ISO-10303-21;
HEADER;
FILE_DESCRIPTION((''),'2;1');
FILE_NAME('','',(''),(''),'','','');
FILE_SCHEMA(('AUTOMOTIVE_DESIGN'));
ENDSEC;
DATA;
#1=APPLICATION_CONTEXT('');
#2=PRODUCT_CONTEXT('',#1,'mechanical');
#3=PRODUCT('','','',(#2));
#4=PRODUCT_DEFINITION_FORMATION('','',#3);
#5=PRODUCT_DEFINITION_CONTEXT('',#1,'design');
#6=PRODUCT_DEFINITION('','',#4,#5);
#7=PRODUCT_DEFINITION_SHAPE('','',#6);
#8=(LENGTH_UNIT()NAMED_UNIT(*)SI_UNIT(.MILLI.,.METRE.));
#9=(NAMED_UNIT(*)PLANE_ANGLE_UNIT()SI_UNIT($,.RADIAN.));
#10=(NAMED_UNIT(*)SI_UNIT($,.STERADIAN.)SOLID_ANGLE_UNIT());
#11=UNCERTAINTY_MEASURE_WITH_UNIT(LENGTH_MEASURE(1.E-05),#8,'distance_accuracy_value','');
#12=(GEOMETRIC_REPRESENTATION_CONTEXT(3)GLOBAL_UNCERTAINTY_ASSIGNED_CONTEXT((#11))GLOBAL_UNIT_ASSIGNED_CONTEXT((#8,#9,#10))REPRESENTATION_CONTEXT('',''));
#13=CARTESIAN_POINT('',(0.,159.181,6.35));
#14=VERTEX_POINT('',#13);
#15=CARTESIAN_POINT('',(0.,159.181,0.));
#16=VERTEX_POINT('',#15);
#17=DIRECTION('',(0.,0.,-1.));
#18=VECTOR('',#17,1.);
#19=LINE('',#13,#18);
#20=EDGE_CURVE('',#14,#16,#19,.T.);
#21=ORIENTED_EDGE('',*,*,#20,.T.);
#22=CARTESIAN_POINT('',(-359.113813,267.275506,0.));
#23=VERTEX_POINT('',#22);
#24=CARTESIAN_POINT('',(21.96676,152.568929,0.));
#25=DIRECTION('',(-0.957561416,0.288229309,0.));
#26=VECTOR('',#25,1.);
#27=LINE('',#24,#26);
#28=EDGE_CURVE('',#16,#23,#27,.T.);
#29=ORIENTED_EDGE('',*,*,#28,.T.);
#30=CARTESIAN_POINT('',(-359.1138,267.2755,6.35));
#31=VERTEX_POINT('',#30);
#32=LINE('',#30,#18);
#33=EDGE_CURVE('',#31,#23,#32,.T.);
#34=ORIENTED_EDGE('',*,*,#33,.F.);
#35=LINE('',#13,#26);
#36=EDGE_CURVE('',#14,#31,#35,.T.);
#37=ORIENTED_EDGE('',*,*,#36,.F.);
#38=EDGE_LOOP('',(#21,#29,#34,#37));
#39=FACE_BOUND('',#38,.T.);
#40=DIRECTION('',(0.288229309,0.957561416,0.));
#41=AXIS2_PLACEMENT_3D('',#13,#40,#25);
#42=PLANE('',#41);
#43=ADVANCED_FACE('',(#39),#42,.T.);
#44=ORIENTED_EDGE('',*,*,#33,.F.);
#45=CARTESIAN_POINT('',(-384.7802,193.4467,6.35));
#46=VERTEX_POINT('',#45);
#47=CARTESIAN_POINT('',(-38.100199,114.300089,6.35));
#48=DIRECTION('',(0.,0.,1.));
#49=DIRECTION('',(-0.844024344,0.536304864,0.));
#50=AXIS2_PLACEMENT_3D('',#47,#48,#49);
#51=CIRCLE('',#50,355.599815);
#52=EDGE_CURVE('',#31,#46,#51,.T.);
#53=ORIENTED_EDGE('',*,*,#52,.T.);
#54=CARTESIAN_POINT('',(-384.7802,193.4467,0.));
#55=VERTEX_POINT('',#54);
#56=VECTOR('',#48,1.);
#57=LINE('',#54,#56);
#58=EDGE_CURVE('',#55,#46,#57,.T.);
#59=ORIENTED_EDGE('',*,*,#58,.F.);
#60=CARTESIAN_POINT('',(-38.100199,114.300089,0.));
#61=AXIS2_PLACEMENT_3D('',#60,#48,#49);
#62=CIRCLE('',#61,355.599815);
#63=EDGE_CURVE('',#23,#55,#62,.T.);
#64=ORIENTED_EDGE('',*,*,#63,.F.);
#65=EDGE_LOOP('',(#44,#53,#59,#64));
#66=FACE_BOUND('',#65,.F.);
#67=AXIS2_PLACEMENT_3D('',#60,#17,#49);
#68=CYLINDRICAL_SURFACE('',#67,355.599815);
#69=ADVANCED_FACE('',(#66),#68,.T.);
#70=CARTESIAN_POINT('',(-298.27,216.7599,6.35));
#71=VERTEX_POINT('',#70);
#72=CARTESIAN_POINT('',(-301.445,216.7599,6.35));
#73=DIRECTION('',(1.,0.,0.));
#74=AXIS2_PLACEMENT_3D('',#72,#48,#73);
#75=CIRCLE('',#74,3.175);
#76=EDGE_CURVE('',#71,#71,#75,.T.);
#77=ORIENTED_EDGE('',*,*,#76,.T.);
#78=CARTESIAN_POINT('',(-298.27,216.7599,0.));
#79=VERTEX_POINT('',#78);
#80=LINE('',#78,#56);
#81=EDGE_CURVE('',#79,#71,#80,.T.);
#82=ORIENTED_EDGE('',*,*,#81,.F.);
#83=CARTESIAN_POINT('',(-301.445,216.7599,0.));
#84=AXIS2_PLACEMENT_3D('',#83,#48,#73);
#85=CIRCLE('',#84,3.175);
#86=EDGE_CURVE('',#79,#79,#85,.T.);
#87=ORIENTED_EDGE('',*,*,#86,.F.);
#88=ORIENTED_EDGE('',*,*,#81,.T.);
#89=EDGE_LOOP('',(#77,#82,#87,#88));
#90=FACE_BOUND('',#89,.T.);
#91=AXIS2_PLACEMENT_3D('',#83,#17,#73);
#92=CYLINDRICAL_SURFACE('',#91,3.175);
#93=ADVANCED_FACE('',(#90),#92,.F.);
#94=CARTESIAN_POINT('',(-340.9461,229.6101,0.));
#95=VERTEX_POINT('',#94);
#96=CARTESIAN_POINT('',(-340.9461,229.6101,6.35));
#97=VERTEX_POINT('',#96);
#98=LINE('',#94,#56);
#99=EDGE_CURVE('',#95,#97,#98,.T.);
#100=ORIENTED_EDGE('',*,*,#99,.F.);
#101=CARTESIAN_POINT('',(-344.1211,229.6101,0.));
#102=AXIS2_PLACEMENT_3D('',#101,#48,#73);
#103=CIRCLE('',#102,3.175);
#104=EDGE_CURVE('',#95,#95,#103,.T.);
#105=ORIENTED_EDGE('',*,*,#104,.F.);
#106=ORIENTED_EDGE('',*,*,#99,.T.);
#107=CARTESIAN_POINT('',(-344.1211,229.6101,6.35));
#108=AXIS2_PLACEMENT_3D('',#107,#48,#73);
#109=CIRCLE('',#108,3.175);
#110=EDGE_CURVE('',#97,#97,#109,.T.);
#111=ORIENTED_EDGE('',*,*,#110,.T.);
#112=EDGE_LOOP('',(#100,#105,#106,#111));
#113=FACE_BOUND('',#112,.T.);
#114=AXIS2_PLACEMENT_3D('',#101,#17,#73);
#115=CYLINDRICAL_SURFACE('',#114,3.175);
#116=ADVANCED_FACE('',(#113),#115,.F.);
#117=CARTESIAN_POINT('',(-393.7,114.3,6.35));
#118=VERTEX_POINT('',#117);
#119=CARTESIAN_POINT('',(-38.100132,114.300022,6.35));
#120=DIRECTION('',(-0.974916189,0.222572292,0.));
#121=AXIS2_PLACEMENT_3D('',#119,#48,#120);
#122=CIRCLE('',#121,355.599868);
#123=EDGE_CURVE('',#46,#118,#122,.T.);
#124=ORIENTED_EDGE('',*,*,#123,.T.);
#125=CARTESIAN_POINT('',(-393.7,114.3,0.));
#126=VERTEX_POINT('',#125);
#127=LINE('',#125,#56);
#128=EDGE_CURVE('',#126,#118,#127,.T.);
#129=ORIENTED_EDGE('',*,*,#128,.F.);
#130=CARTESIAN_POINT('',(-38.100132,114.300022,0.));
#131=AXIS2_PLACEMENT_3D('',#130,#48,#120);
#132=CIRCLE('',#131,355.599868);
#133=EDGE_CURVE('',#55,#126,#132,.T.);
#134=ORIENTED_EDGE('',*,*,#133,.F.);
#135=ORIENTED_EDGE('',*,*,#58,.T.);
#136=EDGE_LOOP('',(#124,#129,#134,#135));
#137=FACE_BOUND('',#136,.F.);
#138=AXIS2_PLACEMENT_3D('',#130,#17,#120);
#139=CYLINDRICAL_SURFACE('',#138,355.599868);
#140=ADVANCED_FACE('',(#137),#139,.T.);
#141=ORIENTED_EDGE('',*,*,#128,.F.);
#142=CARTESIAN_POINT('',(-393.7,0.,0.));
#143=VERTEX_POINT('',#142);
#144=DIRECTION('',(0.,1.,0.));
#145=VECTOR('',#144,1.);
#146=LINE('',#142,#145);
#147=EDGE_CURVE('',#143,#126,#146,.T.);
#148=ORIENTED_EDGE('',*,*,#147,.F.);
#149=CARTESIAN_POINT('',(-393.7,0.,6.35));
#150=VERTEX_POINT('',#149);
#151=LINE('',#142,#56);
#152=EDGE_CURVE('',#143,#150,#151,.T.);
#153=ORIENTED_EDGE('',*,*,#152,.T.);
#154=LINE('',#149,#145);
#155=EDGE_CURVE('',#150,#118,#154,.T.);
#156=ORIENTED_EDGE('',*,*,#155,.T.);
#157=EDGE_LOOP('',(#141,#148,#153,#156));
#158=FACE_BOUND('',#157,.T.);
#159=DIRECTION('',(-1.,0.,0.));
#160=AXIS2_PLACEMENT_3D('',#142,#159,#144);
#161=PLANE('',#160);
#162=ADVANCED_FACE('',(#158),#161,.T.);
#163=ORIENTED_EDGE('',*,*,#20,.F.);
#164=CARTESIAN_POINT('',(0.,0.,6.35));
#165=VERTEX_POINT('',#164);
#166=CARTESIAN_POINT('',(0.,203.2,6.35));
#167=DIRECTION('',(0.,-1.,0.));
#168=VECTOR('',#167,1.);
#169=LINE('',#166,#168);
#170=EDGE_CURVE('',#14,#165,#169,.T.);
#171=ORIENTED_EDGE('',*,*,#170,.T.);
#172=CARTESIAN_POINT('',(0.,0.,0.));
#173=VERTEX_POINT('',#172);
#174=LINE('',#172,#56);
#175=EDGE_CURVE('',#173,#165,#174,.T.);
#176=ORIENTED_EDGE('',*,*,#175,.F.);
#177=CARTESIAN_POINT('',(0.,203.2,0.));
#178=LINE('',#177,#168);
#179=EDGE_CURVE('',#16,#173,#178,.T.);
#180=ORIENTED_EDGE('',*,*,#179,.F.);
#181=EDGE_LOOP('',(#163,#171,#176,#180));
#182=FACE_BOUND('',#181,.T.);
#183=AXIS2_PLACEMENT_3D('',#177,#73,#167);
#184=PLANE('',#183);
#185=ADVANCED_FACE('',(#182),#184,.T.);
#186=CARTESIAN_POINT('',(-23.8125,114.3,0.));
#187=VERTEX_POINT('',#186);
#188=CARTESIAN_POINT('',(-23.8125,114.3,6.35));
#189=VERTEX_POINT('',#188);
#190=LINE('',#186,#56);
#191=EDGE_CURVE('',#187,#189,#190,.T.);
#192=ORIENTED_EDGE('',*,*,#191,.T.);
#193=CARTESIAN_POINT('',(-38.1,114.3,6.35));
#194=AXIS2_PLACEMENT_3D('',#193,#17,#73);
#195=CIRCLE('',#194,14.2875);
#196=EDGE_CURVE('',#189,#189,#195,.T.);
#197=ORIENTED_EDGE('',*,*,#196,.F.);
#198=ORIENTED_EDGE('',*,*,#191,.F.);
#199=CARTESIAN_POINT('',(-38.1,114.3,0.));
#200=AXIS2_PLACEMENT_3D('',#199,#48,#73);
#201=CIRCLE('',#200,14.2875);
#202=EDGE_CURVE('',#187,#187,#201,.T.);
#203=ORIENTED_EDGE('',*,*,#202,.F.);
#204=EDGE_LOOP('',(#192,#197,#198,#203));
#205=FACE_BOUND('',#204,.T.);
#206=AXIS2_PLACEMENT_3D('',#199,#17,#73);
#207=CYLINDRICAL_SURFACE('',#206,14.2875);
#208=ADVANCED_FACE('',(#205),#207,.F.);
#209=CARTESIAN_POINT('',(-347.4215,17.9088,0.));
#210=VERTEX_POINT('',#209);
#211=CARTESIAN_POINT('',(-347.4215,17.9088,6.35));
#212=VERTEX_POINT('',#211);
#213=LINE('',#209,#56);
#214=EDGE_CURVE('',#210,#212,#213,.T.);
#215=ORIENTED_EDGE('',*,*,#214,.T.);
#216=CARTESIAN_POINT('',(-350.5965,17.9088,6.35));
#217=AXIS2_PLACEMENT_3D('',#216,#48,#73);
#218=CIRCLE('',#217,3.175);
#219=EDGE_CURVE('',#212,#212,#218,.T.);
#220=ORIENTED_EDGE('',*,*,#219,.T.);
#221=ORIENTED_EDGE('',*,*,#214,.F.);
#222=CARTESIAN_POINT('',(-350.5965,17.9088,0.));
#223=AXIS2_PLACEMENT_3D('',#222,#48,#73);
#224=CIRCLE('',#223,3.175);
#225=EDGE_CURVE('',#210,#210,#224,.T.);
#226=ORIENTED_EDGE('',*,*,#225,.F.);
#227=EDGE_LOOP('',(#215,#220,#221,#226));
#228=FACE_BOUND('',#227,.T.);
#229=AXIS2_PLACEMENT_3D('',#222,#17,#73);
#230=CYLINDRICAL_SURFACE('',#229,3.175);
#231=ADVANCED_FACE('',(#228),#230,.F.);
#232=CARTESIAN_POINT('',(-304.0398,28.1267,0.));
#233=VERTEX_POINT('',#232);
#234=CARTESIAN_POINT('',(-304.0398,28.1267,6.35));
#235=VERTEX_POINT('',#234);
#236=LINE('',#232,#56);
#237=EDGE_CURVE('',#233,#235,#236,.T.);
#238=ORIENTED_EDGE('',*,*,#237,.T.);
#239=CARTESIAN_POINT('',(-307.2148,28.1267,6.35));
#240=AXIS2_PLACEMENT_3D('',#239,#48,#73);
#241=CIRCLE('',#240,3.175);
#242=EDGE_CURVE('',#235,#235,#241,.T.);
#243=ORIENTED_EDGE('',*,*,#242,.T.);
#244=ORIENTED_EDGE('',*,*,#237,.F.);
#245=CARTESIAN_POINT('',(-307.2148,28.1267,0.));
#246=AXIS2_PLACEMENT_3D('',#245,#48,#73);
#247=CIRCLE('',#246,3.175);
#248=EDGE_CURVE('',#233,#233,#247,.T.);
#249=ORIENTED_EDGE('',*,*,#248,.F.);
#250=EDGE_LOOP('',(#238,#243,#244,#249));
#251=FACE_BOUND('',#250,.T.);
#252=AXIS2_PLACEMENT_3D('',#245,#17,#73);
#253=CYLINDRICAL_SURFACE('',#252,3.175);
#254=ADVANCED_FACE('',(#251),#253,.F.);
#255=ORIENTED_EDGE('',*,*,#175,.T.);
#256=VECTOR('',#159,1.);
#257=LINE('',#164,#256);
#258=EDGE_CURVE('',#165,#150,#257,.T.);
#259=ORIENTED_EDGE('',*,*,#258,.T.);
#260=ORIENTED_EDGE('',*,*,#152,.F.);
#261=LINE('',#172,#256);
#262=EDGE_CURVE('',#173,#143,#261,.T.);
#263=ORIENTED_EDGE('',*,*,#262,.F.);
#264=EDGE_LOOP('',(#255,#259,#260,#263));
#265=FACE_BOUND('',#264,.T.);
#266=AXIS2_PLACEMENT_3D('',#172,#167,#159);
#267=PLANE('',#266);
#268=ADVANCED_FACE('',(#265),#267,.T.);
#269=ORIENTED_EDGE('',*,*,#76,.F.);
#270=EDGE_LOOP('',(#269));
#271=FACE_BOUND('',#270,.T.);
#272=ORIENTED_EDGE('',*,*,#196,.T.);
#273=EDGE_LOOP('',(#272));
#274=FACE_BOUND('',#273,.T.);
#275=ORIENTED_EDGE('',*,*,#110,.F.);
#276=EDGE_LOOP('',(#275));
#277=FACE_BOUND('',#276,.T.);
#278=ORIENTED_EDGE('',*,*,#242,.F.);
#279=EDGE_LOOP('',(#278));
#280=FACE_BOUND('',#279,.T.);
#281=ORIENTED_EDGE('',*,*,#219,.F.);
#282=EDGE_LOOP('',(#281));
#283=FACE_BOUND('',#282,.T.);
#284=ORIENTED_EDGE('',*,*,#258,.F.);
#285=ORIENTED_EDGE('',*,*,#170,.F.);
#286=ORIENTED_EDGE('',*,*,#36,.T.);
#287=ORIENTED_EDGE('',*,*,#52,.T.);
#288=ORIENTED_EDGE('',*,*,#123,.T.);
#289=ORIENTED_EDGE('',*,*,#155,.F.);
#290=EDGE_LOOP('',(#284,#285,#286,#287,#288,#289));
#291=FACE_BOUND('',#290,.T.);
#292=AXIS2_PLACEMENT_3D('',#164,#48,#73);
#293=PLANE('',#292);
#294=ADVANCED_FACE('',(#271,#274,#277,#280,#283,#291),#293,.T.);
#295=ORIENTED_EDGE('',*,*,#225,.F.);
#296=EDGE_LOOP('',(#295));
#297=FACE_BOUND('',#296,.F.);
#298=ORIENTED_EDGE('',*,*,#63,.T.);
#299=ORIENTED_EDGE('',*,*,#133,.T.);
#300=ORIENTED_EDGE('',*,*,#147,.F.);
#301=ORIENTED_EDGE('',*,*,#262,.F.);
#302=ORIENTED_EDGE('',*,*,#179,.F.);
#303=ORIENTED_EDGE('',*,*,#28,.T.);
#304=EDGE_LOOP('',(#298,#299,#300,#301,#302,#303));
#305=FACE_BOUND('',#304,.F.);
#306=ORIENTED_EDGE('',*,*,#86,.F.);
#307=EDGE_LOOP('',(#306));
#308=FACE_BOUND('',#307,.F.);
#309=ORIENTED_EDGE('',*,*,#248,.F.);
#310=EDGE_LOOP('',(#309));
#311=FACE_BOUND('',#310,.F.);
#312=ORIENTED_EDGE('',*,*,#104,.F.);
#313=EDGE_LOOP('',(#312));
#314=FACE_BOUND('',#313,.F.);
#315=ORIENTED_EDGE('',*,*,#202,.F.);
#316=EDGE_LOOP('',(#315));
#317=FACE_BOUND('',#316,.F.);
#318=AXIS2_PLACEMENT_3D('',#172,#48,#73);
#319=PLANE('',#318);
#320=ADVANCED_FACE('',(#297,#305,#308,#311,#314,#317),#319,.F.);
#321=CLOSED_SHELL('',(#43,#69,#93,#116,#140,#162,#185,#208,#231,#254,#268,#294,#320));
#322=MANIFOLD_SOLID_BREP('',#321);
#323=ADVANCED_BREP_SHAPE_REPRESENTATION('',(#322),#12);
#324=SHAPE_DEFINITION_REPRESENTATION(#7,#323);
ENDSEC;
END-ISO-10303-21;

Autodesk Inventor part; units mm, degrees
ref_plane "YZ Plane" through (0, 0, 0) normal (1, 0, 0) x (0, 1, 0)
ref_plane "XZ Plane" through (0, 0, 0) normal (0, 1, 0) x (-1, 0, 0)
ref_plane "XY Plane" through (0, 0, 0) normal (0, 0, 1) x (1, 0, 0)
sketch "Sketch1" plane through (0, 0, 0) normal (0, 0, 1) x (1, 0, 0)
  line L0 (0, 0) -> (-393.7, 0)
  line L1 (-393.7, 0) -> (-393.7, 114.3)
  line L2 (0, 203.2) -> (0, 0)
  circle A0 centre (-38.1, 114.3) radius 50.8 construction
  circle A1 centre (-38.1, 114.3) radius 6.35 construction
  circle A2 centre (-38.1, 114.3) radius 14.2875
  line L3 (-38.1, 114.3) -> (-38.1, 165.1)
  arc A3 (-384.7802, 193.4467) -> (-393.7, 114.3) centre (-38.1, 114.3) ccw
  arc A4 (-338.2351, 305.01) -> (-393.6892, 111.5268) centre (-38.1, 114.3) ccw
  circle A5 centre (-38.1, 114.3) radius 282.575 construction
  circle A6 centre (-38.1, 114.3) radius 327.025 construction
  circle A7 centre (-38.1, 114.3) radius 304.8 construction
  arc A8 (-372.5283, 214.9641) -> (-378.0555, 34.2635) centre (-38.1, 114.3) ccw
  arc A9 (-287.4011, 189.3405) -> (-291.5214, 54.6365) centre (-38.1, 114.3) ccw
  arc A10 (-287.4011, 189.3405) -> (-372.5283, 214.9641) centre (-329.9647, 202.1523) ccw construction
  arc A11 (-378.0555, 34.2635) -> (-291.5214, 54.6365) centre (-334.7884, 44.45) ccw construction
  line L4 (-38.1, 114.3) -> (-329.9647, 202.1523) construction
  line L5 (-38.1, 114.3) -> (-334.7884, 44.45) construction
  circle A12 centre (-301.445, 216.7599) radius 3.175
  circle A13 centre (-344.1211, 229.6101) radius 3.175
  circle A14 centre (-350.5965, 17.9088) radius 3.175
  circle A15 centre (-307.2148, 28.1267) radius 3.175
  line L6 (0, 203.2) -> (-338.2351, 305.01)
  point P0 (-356.4219, 39.3568)
  point P1 (-313.1549, 49.5432)
  point P2 (-308.6829, 195.7464)
  point P3 (-351.2465, 208.5582)
  point P4 (-384.7802, 193.4467)
  dimension "d2" = 101.6
  dimension "d38" = 609.6
  dimension "d3" = 12.7
  dimension "d4" = 28.575
  dimension "d5" = 114.3
  dimension "d22" = 114.3
  dimension "d24" = 38.1
  dimension "d25" = 304.8
  dimension "d30" = 565.15
  dimension "d31" = 654.05
  dimension "d39" = 30
  dimension "d40" = 88.9
  dimension "d43" = 6.35
  dimension "d44" = 6.35
  dimension "d45" = 6.35
  dimension "d46" = 6.35
  dimension "d47" = 22.225
  dimension "d48" = 22.225
  dimension "d49" = 22.225
  dimension "d50" = 22.225
  dimension "d51" = 203.2
extrude "Extrusion1" add sketch "Sketch1" along normal blind 6.35
sketch "Sketch2" plane through (0, 0, 6.35) normal (0, 0, 1) x (1, 0, 0)
  point P0 (0, 0)
sketch "Sketch3" plane through (0, 0, 6.35) normal (0, 0, 1) x (1, 0, 0)
  line L0 (0, 0) -> (0, 203.2) projected
  line L1 (0, 203.2) -> (-338.2351, 305.01) projected
  arc A0 (-338.2351, 305.01) -> (-393.7, 114.3) centre (-38.1, 114.3) ccw projected
  line L2 (-393.7, 114.3) -> (-393.7, 0) projected
  line L3 (-393.7, 0) -> (0, 0) projected
  circle A1 centre (-38.1, 114.3) radius 14.2875 projected
  circle A2 centre (-350.5965, 17.9088) radius 3.175 projected
  circle A3 centre (-307.2148, 28.1267) radius 3.175 projected
  circle A4 centre (-344.1211, 229.6101) radius 3.175 projected
  circle A5 centre (-301.445, 216.7599) radius 3.175 projected
  line L4 (0, 0) -> (0, 203.2) projected
  line L5 (0, 159.181) -> (-359.1138, 267.2755)
  dimension "d52" = 31.75
extrude "Extrusion2" cut sketch "Sketch3" against normal blind 25.4 contours L5 A0 L1 L0
properties part number "TurretPanel"
